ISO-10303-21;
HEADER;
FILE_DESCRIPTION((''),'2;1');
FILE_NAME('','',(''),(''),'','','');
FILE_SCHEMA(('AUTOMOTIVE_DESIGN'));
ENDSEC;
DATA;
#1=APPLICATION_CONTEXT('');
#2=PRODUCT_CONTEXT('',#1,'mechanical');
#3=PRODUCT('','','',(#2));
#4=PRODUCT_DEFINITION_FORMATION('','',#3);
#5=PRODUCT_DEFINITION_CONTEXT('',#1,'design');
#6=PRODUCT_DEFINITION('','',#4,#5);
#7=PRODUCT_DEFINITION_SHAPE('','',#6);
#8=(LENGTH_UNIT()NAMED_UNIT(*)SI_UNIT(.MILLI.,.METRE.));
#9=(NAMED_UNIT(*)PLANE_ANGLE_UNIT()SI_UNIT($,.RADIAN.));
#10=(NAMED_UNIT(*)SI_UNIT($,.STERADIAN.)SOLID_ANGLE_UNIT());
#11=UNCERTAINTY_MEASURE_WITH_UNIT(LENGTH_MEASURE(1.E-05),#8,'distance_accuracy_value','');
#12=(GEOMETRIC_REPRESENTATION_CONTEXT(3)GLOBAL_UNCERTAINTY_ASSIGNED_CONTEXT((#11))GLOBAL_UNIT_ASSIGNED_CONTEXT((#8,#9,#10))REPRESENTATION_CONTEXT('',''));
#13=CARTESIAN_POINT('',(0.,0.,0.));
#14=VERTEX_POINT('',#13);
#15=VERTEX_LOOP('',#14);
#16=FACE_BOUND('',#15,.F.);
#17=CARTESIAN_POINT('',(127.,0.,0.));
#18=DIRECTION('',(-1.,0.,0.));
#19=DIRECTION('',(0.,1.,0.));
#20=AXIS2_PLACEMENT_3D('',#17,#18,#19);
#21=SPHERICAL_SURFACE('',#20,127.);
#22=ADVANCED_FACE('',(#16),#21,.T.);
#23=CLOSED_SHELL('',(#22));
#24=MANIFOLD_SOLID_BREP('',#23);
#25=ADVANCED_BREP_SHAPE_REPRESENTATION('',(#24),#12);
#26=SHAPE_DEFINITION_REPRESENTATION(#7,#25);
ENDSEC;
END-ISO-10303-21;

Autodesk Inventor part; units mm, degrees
ref_plane "YZ Plane" through (0, 0, 0) normal (1, 0, 0) x (0, 1, 0)
ref_plane "XZ Plane" through (0, 0, 0) normal (0, 1, 0) x (-1, 0, 0)
ref_plane "XY Plane" through (0, 0, 0) normal (0, 0, 1) x (1, 0, 0)
sketch "Sketch1" plane through (0, 0, 0) normal (0, 0, 1) x (1, 0, 0)
  line L0 (0, 0) -> (254, 0)
  line L1 (0, 0) -> (254, 0)
  arc A0 (254, 0) -> (0, 0) centre (127, 0) ccw
  dimension "d0" = 254
  dimension "d2" = 127
revolve "Revolution1" add sketch "Sketch1" angle 360 about axis through (0, 0, 0) along (1, 0, 0)
properties part number "ball"
